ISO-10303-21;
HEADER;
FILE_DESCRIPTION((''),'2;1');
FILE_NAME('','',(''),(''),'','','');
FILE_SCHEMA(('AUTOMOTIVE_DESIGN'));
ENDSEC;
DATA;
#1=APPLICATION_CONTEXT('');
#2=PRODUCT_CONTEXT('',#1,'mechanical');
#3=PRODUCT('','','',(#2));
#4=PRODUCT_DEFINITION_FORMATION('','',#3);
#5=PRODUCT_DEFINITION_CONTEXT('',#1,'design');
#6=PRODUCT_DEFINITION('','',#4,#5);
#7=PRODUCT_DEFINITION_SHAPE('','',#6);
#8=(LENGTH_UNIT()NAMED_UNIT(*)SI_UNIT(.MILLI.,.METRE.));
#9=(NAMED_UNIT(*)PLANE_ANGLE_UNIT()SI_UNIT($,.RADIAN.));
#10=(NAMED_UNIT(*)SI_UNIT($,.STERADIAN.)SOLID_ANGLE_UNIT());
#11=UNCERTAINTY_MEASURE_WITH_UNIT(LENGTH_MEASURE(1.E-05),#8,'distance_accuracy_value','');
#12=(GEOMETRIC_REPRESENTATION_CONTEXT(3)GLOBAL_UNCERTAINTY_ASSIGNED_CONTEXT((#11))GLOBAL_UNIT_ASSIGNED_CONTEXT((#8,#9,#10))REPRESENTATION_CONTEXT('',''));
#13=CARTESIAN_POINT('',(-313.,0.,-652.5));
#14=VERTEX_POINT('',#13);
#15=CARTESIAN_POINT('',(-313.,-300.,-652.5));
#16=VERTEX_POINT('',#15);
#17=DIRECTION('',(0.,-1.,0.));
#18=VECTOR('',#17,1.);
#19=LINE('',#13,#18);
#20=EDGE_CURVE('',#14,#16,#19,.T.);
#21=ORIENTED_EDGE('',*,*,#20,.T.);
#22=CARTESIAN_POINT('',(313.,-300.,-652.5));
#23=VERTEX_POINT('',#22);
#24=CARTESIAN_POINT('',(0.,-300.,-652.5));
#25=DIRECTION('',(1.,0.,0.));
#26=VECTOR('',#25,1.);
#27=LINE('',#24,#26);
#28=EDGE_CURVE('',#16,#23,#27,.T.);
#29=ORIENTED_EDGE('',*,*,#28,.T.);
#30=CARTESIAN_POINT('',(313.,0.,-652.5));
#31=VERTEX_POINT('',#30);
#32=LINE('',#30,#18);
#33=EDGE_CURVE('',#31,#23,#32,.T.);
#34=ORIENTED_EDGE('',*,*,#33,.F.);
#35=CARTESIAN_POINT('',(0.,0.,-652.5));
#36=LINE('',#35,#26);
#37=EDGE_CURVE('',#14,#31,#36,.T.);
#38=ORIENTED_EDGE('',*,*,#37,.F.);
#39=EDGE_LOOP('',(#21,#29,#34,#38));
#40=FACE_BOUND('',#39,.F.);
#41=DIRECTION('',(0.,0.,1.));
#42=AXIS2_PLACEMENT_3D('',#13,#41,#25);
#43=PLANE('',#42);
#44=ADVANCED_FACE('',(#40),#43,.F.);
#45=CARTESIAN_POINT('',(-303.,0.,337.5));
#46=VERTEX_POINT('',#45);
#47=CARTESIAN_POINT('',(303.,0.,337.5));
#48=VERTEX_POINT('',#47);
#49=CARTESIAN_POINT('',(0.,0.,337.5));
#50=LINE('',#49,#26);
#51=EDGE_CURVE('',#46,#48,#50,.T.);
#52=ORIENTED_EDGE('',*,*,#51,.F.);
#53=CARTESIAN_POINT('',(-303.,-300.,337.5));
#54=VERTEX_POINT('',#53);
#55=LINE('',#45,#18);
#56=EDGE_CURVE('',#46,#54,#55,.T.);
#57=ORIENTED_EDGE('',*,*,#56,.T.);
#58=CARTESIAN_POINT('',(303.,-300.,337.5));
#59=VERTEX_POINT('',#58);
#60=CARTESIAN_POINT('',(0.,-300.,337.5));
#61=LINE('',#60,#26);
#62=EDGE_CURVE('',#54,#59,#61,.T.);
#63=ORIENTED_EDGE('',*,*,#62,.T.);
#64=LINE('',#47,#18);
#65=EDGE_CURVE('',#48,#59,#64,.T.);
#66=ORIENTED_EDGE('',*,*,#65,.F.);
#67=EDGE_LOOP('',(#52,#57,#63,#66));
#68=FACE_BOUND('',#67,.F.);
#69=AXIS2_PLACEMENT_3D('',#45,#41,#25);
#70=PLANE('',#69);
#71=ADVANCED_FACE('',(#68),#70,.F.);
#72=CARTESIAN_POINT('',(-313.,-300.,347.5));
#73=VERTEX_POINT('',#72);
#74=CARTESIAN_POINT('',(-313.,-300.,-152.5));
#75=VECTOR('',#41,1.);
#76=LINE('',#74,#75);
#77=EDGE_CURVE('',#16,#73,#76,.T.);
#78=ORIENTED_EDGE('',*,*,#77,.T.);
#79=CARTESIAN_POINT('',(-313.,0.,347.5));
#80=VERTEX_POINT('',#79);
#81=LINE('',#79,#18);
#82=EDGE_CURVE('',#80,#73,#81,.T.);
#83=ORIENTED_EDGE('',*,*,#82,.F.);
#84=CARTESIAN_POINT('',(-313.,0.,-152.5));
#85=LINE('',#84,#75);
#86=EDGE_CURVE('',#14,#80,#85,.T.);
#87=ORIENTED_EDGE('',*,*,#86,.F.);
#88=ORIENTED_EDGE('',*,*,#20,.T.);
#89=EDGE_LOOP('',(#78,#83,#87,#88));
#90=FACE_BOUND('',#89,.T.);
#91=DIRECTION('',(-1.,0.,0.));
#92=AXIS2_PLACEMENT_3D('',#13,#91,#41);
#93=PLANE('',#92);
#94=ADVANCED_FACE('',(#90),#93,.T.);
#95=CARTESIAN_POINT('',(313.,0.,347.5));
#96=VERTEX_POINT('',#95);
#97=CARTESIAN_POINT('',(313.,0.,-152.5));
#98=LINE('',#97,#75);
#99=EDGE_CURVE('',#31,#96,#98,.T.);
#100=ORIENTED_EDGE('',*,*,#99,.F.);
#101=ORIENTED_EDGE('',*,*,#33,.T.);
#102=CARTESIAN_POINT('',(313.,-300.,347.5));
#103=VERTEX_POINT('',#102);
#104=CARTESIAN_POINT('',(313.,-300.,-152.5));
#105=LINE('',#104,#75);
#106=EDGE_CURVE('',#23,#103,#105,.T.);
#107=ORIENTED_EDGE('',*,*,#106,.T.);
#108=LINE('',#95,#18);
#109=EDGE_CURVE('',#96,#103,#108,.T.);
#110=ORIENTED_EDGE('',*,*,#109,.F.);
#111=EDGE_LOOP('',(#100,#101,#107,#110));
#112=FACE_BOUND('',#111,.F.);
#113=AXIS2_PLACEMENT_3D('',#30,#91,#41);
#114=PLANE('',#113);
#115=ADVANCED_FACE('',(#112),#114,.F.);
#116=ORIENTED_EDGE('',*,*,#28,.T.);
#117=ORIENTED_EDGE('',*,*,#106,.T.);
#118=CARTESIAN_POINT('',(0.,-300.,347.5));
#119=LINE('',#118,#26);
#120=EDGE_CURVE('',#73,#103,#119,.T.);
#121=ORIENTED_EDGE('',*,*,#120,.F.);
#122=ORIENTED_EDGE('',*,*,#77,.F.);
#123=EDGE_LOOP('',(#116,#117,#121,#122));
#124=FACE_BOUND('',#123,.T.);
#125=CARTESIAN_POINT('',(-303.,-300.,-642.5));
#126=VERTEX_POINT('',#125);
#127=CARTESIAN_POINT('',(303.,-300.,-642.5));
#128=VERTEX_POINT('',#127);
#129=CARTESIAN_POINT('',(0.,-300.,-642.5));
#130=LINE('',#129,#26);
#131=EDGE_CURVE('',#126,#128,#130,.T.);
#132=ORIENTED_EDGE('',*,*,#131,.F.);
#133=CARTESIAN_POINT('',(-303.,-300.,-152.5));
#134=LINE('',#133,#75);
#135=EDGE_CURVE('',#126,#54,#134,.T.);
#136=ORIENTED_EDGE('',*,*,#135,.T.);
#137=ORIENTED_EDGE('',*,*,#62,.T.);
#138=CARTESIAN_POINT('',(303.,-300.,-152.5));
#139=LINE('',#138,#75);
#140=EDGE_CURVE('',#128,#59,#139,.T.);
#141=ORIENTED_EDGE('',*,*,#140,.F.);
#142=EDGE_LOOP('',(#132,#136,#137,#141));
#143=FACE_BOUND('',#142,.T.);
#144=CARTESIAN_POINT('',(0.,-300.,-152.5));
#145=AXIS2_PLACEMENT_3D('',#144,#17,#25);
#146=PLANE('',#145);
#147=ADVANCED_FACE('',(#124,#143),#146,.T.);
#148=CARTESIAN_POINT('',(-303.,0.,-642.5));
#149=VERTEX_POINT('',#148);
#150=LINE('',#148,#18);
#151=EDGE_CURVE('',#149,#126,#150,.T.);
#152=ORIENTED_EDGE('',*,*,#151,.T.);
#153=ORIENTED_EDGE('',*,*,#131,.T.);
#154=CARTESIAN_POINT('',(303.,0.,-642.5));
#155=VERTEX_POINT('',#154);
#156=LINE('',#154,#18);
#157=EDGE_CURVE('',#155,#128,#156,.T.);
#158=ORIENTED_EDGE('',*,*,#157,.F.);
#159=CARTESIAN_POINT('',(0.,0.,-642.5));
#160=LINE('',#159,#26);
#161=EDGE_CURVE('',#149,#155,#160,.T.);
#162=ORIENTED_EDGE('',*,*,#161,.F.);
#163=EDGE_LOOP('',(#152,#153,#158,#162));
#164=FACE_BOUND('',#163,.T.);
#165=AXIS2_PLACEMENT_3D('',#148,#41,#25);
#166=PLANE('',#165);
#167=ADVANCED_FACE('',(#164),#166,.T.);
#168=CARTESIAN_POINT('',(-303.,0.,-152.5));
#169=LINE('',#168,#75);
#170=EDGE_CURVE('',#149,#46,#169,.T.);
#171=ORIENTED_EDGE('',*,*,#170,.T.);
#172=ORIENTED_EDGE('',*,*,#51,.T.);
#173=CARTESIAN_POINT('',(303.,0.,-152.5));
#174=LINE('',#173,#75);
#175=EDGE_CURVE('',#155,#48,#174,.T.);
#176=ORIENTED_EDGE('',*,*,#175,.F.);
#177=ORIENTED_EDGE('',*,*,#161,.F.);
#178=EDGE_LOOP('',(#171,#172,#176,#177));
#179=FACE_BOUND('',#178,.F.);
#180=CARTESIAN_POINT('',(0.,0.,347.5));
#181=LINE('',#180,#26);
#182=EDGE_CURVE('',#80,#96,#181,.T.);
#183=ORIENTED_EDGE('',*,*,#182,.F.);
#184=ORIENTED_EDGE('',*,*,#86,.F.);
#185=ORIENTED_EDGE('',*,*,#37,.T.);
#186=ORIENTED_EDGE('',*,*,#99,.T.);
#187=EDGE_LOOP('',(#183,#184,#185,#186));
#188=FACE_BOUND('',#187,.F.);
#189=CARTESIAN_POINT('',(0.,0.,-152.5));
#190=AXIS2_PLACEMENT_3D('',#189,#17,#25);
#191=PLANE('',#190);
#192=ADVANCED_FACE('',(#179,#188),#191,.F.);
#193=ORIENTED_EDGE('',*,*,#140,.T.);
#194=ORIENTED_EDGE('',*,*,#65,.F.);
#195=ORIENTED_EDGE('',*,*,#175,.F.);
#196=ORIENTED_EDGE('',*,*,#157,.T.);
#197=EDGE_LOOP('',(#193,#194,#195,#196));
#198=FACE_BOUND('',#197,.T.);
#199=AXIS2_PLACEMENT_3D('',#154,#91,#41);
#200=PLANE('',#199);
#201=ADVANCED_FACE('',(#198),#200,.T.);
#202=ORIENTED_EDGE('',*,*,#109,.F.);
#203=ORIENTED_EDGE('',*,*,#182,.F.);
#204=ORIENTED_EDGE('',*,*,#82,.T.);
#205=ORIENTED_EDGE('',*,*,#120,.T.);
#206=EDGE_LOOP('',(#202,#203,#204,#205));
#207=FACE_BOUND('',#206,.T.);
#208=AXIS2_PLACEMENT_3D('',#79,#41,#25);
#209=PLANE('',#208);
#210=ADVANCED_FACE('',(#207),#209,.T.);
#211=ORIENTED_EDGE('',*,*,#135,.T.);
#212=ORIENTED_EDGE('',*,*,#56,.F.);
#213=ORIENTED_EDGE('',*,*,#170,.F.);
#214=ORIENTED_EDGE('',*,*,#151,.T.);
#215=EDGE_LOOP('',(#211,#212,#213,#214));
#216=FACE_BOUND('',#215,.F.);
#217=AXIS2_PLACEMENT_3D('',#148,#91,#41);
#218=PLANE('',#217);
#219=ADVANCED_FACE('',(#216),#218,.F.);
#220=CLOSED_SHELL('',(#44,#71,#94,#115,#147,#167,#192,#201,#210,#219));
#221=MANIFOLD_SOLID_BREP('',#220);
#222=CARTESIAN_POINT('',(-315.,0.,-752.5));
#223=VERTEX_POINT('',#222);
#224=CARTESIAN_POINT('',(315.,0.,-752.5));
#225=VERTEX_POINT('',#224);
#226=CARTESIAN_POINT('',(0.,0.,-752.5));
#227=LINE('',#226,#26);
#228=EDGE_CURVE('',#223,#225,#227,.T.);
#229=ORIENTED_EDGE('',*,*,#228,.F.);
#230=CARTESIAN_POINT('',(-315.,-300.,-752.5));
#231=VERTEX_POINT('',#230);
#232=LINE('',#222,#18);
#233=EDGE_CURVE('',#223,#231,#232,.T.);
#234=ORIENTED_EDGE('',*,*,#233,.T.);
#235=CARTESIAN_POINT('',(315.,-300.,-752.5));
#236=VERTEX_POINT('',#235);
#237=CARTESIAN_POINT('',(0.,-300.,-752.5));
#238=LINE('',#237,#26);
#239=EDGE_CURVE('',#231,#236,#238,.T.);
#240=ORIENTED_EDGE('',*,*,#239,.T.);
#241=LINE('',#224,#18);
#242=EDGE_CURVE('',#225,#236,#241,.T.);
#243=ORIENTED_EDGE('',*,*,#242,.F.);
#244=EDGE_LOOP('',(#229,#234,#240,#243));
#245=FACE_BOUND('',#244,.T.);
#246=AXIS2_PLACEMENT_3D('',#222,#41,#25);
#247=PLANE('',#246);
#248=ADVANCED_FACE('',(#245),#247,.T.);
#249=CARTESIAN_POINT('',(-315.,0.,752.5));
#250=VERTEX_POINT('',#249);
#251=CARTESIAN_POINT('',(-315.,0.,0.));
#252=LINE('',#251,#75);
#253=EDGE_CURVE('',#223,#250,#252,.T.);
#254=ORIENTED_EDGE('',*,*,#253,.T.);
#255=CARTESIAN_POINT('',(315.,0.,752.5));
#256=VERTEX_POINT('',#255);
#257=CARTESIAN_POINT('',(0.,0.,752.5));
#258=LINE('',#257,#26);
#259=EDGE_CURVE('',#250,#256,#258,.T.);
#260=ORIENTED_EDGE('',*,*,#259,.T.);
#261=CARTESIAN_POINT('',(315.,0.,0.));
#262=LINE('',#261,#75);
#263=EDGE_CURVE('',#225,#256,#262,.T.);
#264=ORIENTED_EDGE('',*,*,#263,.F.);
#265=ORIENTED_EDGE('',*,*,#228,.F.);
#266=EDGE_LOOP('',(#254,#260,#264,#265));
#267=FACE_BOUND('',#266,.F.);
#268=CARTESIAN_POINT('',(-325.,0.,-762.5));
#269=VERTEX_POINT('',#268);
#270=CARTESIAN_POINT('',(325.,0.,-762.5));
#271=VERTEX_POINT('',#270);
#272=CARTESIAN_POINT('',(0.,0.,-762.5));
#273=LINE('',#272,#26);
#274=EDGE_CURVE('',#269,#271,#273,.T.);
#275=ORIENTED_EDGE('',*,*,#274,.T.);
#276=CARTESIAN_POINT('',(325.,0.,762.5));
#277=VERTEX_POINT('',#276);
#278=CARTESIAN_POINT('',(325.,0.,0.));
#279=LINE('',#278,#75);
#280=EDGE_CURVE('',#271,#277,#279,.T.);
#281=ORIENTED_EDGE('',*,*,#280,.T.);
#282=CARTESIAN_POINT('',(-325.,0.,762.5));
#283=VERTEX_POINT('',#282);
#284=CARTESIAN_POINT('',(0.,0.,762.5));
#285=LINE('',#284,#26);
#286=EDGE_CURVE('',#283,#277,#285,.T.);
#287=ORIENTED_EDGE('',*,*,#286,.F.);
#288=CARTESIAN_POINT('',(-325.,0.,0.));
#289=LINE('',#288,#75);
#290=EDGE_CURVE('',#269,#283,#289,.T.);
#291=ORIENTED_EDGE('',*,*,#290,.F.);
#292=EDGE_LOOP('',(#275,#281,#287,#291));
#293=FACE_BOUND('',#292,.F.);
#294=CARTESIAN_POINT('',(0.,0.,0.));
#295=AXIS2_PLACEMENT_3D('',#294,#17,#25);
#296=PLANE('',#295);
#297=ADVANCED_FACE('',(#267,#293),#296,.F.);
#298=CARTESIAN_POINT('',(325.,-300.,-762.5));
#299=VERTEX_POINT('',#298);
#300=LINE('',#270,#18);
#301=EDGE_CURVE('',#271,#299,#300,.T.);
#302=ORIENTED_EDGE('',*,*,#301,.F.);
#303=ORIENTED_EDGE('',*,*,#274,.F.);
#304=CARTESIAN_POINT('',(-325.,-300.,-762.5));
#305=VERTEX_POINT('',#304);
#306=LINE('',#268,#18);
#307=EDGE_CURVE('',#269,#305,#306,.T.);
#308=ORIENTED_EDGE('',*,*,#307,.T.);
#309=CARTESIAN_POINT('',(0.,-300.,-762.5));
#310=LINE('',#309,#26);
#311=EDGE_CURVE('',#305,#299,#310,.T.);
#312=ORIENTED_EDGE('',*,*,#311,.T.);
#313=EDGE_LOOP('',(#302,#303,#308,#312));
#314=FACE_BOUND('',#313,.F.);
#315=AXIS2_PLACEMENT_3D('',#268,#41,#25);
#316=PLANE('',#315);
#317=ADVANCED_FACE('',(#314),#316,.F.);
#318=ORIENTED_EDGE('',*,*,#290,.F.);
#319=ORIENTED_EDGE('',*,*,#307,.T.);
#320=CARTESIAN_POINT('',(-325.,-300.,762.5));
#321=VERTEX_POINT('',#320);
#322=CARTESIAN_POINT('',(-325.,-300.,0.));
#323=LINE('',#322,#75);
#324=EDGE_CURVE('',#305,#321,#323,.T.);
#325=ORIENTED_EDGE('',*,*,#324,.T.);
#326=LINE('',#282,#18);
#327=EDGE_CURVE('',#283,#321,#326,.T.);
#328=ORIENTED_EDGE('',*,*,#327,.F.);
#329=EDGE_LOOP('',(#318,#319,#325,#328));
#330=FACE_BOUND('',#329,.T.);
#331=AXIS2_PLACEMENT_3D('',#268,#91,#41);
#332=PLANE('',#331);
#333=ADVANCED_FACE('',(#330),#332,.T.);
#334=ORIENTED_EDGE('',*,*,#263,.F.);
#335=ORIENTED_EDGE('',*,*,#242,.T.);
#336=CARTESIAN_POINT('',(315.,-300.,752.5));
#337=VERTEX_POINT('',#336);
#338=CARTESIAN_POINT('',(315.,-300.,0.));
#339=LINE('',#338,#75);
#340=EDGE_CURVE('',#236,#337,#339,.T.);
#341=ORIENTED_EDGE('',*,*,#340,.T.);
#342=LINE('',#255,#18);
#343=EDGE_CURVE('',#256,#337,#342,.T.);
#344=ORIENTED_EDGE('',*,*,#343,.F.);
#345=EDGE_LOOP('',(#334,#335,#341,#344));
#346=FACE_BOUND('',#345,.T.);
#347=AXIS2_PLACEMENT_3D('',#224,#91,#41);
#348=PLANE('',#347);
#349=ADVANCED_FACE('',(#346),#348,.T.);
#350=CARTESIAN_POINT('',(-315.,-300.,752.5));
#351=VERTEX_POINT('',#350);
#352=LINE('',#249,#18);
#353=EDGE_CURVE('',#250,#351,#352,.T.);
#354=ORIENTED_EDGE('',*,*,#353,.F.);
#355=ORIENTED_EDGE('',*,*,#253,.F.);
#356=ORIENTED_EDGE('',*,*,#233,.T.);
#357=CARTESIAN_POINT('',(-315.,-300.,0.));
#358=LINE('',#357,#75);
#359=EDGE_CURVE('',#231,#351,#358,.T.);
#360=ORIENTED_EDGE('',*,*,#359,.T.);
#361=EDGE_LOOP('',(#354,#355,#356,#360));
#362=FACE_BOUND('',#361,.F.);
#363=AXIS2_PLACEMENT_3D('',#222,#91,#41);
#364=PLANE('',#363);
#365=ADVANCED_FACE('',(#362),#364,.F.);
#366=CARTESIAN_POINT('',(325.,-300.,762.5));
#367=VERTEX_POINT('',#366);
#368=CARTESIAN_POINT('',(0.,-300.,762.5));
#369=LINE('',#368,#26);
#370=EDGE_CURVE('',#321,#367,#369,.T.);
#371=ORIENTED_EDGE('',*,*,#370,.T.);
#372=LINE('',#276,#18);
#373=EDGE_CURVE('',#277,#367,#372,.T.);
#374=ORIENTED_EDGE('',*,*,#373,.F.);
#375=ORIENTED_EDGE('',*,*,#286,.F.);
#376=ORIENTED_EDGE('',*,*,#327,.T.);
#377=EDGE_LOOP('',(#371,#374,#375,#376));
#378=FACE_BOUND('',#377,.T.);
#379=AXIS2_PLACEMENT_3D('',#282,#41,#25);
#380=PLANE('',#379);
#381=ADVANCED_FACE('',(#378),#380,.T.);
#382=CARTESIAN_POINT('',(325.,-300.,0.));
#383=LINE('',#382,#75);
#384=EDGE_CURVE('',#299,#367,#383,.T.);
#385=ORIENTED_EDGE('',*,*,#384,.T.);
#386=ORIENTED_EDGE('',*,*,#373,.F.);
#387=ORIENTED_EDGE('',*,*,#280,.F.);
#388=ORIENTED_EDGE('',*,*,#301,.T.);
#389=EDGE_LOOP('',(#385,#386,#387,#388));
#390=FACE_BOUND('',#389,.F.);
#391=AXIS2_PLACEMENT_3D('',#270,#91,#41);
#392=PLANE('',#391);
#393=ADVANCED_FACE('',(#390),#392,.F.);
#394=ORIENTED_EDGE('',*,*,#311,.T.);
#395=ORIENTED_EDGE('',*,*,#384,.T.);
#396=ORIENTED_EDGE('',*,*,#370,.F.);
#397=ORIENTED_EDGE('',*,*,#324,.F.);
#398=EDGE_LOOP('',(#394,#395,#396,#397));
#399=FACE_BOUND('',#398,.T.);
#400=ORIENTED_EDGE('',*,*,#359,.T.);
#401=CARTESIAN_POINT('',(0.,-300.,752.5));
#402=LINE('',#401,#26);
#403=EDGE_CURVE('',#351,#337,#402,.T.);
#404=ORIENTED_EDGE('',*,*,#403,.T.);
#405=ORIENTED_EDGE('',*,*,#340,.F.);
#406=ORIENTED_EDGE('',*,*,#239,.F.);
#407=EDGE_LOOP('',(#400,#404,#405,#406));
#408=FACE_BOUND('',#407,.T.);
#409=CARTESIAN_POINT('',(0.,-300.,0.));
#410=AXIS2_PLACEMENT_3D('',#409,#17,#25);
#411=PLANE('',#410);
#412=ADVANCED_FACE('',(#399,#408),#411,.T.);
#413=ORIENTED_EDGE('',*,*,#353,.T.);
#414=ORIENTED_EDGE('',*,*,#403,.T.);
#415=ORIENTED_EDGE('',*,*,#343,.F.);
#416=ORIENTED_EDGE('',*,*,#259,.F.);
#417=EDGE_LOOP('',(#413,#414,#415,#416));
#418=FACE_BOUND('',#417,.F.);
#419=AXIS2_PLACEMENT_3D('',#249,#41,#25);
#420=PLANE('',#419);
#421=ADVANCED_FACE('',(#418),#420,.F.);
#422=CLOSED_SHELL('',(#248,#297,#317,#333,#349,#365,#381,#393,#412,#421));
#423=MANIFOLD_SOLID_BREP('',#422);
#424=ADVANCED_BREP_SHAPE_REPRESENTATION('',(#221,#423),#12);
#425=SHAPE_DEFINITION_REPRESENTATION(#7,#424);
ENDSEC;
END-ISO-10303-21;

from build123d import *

# Parameters (mm, degrees)
F0_W     = 650
F0_H     = 1525
F0_W_2   = 630
F0_H_2   = 1505
F1_DEPTH = 300
F2_W     = 626
F2_H     = 1000
F2_W_2   = 606
F2_H_2   = 980
F3_DEPTH = 300


with BuildPart() as f1:
    # F0 (on Front) → F1 (new body)
    with BuildSketch(Plane.XZ):
        Rectangle(F0_W, F0_H)
        Rectangle(F0_W_2, F0_H_2, mode=Mode.SUBTRACT)
    extrude(amount=F1_DEPTH)


with BuildPart() as f3:
    # F2 (on Front) → F3 (new body, through all)
    with BuildSketch(Plane.XZ):
        with Locations((0, -152.5)):
            Rectangle(F2_W, F2_H)
        with Locations((0, -152.5)):
            Rectangle(F2_W_2, F2_H_2, mode=Mode.SUBTRACT)
    extrude(amount=F3_DEPTH)


solid = Compound([f1.part, f3.part])
